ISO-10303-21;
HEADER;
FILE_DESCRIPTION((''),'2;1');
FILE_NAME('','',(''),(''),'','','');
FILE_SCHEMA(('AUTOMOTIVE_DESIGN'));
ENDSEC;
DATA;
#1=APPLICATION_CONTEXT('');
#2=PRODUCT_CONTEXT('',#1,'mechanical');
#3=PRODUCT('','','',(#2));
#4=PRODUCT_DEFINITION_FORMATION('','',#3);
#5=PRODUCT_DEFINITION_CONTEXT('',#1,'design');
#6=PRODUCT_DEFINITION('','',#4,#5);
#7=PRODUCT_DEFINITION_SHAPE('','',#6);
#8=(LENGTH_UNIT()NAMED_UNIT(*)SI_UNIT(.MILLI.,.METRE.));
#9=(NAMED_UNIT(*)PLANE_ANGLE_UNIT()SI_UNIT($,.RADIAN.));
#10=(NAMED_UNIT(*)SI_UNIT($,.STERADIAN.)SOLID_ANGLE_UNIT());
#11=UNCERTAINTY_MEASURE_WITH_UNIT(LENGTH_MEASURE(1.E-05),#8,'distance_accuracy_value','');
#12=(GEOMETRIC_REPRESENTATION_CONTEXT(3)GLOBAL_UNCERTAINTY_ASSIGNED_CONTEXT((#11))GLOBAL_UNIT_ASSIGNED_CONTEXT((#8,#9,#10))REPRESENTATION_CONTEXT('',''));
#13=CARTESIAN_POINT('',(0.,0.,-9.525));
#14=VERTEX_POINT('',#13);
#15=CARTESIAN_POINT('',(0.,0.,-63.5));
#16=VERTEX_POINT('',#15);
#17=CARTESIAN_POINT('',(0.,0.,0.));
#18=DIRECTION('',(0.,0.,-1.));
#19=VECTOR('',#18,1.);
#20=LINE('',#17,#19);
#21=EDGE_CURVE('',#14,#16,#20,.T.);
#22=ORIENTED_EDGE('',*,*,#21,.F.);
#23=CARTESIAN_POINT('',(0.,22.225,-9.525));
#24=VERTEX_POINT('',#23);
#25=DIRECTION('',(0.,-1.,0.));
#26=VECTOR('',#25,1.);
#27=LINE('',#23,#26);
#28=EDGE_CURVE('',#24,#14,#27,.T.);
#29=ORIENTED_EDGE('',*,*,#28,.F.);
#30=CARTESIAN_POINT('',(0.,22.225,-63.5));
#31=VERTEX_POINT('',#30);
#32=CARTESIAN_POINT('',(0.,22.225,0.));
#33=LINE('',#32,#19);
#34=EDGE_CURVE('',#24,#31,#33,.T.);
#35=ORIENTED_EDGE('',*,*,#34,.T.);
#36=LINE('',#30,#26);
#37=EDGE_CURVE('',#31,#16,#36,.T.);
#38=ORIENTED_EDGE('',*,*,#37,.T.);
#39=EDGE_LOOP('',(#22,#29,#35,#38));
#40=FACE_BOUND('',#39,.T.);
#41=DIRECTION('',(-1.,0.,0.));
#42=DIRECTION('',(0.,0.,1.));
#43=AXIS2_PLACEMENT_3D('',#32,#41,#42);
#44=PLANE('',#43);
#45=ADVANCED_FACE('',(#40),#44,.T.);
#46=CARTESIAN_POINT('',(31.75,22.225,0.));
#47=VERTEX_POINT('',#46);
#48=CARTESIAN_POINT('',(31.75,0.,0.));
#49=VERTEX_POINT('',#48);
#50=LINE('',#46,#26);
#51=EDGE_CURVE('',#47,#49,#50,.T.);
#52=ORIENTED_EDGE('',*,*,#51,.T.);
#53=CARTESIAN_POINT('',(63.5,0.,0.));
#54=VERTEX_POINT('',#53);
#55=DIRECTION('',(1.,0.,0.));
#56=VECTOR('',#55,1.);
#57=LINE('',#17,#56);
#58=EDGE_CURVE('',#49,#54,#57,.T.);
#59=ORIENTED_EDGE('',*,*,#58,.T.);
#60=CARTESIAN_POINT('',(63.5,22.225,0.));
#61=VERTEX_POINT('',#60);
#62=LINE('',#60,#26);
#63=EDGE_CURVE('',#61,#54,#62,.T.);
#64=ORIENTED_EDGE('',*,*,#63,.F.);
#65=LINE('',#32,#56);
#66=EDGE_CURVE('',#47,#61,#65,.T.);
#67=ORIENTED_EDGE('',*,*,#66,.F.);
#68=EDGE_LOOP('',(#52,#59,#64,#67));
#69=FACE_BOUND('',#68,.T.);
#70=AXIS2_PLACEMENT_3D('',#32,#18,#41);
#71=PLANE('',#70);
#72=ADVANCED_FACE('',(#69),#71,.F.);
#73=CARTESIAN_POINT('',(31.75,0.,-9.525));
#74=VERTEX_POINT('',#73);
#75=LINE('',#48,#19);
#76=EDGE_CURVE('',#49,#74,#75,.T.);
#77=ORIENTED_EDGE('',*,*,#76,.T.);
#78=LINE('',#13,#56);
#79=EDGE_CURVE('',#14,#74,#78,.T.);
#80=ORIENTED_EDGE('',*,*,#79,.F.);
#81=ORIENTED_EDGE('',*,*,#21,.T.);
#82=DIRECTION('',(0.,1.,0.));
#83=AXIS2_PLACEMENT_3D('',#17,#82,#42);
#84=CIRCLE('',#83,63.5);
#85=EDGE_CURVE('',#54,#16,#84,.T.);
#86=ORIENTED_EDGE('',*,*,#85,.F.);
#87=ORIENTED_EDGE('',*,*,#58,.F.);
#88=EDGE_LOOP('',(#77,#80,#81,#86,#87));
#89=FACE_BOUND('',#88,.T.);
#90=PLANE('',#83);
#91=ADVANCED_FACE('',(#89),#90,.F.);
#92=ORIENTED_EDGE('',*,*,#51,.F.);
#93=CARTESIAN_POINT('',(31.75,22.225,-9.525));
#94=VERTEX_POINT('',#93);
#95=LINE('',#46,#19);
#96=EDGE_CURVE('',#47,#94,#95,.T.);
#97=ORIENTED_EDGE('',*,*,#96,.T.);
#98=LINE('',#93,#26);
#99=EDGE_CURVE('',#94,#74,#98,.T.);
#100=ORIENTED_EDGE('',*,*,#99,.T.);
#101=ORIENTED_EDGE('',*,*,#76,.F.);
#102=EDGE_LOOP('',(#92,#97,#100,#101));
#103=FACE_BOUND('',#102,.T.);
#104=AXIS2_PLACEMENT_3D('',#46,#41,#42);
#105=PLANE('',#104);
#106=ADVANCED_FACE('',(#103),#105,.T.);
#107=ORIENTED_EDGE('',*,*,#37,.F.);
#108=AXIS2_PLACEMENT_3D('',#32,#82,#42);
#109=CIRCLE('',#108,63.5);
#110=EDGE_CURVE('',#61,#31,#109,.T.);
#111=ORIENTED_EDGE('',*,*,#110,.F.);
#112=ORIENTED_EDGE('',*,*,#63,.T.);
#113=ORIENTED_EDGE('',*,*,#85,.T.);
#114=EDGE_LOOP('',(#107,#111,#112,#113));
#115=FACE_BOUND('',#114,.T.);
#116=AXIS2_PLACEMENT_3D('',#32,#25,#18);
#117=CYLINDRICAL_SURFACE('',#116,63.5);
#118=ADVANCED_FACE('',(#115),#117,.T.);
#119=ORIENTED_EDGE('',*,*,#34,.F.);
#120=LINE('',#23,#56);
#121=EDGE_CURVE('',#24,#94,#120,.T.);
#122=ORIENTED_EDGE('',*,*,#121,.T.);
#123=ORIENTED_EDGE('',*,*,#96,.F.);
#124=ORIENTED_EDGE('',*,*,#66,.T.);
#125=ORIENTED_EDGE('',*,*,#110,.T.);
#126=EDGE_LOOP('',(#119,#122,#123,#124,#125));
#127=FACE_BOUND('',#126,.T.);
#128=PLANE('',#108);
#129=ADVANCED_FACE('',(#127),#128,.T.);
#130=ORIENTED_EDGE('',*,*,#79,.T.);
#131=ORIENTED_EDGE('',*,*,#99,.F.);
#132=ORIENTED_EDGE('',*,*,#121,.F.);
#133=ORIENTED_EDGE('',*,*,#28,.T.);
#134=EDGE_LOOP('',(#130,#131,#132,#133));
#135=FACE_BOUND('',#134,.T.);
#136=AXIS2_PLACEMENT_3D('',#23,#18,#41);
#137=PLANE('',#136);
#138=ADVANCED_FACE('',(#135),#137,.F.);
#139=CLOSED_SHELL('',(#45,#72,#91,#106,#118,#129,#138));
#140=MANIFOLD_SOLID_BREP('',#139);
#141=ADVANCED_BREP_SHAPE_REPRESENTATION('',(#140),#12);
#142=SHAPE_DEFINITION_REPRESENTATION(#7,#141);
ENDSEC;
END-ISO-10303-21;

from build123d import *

# Parameters (mm, degrees)
BOSS_EXTRUDE1_DEPTH = 22.225


with BuildPart() as part:
    # Sketch1 → Boss-Extrude1 (new body)
    with BuildSketch(Plane(origin=(0, 0, 0), x_dir=(1, 0, 0), z_dir=(0, 1, 0))):
        with BuildLine():
            Line((0, 63.5), (0, 9.525))
            Line((0, 9.525), (31.75, 9.525))
            Line((31.75, 9.525), (31.75, 0))
            Line((31.75, 0), (63.5, 0))
            ThreePointArc((63.5, 0), (44.901280605, 44.901280605), (0, 63.5))
        make_face()
    extrude(amount=BOSS_EXTRUDE1_DEPTH)


solid = part.part
